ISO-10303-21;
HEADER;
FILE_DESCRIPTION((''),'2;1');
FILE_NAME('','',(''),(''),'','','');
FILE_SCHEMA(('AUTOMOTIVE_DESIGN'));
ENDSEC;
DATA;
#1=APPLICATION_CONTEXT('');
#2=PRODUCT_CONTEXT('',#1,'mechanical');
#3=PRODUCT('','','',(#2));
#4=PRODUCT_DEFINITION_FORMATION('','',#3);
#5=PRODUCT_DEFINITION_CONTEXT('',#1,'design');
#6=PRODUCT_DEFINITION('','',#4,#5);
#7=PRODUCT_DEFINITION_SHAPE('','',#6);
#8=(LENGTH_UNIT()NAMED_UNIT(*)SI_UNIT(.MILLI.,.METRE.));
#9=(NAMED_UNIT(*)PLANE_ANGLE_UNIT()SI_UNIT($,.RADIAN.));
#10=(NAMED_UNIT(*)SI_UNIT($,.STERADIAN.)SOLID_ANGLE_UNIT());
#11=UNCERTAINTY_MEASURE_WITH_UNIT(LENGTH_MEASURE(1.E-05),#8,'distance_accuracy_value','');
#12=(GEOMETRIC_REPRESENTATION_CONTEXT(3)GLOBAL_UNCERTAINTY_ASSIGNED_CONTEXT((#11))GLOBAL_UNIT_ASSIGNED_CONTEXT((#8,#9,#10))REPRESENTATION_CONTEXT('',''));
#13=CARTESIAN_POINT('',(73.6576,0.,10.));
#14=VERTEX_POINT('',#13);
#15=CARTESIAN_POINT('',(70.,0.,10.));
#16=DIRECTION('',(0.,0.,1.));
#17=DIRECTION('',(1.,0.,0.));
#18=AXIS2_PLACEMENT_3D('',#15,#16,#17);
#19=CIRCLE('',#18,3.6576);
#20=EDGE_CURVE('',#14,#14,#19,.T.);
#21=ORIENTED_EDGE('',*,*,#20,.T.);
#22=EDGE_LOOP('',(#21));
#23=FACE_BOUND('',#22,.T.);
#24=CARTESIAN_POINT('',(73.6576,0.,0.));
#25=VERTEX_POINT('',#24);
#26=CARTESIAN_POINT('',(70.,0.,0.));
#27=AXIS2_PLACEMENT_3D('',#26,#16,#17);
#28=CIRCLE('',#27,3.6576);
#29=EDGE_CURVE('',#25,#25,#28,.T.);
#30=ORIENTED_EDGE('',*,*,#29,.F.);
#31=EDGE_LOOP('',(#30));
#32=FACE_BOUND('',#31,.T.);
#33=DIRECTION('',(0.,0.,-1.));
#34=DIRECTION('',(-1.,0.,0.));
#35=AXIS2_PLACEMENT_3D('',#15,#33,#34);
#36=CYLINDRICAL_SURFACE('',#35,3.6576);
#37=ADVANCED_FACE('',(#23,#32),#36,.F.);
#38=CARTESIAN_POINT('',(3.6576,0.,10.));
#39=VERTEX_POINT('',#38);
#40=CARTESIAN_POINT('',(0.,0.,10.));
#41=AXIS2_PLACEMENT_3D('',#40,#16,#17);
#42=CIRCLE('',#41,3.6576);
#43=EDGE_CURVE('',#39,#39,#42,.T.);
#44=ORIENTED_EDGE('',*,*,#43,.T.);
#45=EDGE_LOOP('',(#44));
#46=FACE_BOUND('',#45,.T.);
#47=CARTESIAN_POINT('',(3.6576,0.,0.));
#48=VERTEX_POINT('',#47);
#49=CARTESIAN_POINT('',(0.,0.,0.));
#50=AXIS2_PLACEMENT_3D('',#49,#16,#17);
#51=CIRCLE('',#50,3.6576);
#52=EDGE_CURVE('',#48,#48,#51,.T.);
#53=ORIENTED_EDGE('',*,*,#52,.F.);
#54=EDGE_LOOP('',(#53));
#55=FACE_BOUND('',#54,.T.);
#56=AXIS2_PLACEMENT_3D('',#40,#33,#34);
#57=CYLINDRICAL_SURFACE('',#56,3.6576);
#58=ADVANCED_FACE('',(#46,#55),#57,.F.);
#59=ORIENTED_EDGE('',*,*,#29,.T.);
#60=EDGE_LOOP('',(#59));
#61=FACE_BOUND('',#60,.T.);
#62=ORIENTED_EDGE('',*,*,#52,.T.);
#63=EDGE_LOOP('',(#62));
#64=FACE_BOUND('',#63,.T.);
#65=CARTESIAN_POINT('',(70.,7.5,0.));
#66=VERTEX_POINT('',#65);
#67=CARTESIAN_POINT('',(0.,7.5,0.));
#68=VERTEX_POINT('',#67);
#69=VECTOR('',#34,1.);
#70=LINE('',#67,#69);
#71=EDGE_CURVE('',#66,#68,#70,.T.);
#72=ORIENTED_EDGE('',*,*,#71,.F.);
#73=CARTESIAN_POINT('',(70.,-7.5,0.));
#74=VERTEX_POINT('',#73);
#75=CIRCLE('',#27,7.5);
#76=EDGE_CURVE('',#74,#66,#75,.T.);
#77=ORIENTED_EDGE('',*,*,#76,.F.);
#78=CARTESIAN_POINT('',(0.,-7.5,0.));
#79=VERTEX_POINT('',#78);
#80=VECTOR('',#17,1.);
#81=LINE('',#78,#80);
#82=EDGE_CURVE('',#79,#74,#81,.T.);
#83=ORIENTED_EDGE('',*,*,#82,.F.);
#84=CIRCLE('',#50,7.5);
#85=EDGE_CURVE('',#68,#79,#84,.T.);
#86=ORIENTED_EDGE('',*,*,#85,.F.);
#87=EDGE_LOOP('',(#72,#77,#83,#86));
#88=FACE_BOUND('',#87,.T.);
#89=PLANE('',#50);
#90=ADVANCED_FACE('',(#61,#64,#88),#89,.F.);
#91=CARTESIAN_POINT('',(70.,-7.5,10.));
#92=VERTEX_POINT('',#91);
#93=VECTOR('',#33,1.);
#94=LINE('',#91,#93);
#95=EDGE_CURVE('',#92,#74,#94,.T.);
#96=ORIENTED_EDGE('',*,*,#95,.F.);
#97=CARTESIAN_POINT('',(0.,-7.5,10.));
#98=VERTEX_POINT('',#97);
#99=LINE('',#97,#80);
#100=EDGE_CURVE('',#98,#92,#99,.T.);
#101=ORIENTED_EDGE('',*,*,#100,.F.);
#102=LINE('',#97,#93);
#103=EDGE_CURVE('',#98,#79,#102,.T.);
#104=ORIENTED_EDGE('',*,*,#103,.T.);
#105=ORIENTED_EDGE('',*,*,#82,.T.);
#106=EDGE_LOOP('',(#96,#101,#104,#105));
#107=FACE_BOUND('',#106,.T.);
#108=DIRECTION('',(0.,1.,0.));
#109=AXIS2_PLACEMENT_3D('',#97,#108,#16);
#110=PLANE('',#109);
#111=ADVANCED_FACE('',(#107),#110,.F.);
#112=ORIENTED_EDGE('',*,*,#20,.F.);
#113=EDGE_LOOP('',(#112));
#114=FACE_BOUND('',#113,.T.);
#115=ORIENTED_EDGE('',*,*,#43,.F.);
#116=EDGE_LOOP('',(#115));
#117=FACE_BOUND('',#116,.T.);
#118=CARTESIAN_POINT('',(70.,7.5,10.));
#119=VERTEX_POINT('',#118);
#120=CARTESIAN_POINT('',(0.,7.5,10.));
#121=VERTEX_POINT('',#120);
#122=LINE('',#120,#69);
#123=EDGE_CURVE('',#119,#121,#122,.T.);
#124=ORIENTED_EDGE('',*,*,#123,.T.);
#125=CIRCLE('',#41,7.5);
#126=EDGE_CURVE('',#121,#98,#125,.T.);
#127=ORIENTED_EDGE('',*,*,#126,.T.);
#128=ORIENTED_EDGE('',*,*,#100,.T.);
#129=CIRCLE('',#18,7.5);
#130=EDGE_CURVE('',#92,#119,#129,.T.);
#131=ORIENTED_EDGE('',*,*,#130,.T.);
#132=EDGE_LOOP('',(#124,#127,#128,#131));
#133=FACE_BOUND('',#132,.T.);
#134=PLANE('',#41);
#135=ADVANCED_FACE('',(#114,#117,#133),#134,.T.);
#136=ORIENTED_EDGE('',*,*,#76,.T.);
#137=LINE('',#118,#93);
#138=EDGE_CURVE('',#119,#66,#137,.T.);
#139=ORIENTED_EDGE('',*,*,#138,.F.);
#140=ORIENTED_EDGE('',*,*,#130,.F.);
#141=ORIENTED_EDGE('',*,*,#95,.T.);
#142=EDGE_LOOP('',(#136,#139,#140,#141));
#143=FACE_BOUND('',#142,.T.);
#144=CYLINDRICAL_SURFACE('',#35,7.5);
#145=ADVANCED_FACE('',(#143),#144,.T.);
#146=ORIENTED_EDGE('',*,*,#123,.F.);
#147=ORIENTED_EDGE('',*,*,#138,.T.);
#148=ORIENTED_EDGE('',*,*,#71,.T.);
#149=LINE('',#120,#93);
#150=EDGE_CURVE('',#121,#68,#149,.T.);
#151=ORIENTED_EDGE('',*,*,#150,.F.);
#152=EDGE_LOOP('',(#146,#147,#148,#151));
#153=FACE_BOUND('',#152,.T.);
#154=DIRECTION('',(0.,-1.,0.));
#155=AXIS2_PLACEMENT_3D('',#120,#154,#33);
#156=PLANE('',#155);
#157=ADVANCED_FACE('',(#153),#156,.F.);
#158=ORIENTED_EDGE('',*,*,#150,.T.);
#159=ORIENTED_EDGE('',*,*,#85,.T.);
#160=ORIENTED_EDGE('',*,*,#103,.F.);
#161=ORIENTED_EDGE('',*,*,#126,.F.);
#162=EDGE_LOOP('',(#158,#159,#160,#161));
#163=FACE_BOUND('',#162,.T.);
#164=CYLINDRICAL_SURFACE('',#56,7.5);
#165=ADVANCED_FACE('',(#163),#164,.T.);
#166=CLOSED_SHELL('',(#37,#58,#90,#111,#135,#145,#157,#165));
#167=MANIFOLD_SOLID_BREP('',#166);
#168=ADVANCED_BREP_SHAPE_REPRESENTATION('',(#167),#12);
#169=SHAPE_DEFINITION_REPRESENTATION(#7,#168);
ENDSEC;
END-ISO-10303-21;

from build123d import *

# Parameters (mm, degrees)
SKETCH1_R           = 3.6576
BOSS_EXTRUDE1_DEPTH = 10


with BuildPart() as part:
    # Sketch1 → Boss-Extrude1 (new body)
    with BuildSketch(Plane.XY):
        with BuildLine():
            Line((0, 7.5), (70, 7.5))
            ThreePointArc((70, 7.5), (77.5, 0), (70, -7.5))
            Line((70, -7.5), (0, -7.5))
            ThreePointArc((0, -7.5), (-7.5, 0), (0, 7.5))
        make_face()
        Circle(SKETCH1_R, mode=Mode.SUBTRACT)
        with Locations((70, 0)):
            Circle(SKETCH1_R, mode=Mode.SUBTRACT)
    extrude(amount=BOSS_EXTRUDE1_DEPTH)


solid = part.part
